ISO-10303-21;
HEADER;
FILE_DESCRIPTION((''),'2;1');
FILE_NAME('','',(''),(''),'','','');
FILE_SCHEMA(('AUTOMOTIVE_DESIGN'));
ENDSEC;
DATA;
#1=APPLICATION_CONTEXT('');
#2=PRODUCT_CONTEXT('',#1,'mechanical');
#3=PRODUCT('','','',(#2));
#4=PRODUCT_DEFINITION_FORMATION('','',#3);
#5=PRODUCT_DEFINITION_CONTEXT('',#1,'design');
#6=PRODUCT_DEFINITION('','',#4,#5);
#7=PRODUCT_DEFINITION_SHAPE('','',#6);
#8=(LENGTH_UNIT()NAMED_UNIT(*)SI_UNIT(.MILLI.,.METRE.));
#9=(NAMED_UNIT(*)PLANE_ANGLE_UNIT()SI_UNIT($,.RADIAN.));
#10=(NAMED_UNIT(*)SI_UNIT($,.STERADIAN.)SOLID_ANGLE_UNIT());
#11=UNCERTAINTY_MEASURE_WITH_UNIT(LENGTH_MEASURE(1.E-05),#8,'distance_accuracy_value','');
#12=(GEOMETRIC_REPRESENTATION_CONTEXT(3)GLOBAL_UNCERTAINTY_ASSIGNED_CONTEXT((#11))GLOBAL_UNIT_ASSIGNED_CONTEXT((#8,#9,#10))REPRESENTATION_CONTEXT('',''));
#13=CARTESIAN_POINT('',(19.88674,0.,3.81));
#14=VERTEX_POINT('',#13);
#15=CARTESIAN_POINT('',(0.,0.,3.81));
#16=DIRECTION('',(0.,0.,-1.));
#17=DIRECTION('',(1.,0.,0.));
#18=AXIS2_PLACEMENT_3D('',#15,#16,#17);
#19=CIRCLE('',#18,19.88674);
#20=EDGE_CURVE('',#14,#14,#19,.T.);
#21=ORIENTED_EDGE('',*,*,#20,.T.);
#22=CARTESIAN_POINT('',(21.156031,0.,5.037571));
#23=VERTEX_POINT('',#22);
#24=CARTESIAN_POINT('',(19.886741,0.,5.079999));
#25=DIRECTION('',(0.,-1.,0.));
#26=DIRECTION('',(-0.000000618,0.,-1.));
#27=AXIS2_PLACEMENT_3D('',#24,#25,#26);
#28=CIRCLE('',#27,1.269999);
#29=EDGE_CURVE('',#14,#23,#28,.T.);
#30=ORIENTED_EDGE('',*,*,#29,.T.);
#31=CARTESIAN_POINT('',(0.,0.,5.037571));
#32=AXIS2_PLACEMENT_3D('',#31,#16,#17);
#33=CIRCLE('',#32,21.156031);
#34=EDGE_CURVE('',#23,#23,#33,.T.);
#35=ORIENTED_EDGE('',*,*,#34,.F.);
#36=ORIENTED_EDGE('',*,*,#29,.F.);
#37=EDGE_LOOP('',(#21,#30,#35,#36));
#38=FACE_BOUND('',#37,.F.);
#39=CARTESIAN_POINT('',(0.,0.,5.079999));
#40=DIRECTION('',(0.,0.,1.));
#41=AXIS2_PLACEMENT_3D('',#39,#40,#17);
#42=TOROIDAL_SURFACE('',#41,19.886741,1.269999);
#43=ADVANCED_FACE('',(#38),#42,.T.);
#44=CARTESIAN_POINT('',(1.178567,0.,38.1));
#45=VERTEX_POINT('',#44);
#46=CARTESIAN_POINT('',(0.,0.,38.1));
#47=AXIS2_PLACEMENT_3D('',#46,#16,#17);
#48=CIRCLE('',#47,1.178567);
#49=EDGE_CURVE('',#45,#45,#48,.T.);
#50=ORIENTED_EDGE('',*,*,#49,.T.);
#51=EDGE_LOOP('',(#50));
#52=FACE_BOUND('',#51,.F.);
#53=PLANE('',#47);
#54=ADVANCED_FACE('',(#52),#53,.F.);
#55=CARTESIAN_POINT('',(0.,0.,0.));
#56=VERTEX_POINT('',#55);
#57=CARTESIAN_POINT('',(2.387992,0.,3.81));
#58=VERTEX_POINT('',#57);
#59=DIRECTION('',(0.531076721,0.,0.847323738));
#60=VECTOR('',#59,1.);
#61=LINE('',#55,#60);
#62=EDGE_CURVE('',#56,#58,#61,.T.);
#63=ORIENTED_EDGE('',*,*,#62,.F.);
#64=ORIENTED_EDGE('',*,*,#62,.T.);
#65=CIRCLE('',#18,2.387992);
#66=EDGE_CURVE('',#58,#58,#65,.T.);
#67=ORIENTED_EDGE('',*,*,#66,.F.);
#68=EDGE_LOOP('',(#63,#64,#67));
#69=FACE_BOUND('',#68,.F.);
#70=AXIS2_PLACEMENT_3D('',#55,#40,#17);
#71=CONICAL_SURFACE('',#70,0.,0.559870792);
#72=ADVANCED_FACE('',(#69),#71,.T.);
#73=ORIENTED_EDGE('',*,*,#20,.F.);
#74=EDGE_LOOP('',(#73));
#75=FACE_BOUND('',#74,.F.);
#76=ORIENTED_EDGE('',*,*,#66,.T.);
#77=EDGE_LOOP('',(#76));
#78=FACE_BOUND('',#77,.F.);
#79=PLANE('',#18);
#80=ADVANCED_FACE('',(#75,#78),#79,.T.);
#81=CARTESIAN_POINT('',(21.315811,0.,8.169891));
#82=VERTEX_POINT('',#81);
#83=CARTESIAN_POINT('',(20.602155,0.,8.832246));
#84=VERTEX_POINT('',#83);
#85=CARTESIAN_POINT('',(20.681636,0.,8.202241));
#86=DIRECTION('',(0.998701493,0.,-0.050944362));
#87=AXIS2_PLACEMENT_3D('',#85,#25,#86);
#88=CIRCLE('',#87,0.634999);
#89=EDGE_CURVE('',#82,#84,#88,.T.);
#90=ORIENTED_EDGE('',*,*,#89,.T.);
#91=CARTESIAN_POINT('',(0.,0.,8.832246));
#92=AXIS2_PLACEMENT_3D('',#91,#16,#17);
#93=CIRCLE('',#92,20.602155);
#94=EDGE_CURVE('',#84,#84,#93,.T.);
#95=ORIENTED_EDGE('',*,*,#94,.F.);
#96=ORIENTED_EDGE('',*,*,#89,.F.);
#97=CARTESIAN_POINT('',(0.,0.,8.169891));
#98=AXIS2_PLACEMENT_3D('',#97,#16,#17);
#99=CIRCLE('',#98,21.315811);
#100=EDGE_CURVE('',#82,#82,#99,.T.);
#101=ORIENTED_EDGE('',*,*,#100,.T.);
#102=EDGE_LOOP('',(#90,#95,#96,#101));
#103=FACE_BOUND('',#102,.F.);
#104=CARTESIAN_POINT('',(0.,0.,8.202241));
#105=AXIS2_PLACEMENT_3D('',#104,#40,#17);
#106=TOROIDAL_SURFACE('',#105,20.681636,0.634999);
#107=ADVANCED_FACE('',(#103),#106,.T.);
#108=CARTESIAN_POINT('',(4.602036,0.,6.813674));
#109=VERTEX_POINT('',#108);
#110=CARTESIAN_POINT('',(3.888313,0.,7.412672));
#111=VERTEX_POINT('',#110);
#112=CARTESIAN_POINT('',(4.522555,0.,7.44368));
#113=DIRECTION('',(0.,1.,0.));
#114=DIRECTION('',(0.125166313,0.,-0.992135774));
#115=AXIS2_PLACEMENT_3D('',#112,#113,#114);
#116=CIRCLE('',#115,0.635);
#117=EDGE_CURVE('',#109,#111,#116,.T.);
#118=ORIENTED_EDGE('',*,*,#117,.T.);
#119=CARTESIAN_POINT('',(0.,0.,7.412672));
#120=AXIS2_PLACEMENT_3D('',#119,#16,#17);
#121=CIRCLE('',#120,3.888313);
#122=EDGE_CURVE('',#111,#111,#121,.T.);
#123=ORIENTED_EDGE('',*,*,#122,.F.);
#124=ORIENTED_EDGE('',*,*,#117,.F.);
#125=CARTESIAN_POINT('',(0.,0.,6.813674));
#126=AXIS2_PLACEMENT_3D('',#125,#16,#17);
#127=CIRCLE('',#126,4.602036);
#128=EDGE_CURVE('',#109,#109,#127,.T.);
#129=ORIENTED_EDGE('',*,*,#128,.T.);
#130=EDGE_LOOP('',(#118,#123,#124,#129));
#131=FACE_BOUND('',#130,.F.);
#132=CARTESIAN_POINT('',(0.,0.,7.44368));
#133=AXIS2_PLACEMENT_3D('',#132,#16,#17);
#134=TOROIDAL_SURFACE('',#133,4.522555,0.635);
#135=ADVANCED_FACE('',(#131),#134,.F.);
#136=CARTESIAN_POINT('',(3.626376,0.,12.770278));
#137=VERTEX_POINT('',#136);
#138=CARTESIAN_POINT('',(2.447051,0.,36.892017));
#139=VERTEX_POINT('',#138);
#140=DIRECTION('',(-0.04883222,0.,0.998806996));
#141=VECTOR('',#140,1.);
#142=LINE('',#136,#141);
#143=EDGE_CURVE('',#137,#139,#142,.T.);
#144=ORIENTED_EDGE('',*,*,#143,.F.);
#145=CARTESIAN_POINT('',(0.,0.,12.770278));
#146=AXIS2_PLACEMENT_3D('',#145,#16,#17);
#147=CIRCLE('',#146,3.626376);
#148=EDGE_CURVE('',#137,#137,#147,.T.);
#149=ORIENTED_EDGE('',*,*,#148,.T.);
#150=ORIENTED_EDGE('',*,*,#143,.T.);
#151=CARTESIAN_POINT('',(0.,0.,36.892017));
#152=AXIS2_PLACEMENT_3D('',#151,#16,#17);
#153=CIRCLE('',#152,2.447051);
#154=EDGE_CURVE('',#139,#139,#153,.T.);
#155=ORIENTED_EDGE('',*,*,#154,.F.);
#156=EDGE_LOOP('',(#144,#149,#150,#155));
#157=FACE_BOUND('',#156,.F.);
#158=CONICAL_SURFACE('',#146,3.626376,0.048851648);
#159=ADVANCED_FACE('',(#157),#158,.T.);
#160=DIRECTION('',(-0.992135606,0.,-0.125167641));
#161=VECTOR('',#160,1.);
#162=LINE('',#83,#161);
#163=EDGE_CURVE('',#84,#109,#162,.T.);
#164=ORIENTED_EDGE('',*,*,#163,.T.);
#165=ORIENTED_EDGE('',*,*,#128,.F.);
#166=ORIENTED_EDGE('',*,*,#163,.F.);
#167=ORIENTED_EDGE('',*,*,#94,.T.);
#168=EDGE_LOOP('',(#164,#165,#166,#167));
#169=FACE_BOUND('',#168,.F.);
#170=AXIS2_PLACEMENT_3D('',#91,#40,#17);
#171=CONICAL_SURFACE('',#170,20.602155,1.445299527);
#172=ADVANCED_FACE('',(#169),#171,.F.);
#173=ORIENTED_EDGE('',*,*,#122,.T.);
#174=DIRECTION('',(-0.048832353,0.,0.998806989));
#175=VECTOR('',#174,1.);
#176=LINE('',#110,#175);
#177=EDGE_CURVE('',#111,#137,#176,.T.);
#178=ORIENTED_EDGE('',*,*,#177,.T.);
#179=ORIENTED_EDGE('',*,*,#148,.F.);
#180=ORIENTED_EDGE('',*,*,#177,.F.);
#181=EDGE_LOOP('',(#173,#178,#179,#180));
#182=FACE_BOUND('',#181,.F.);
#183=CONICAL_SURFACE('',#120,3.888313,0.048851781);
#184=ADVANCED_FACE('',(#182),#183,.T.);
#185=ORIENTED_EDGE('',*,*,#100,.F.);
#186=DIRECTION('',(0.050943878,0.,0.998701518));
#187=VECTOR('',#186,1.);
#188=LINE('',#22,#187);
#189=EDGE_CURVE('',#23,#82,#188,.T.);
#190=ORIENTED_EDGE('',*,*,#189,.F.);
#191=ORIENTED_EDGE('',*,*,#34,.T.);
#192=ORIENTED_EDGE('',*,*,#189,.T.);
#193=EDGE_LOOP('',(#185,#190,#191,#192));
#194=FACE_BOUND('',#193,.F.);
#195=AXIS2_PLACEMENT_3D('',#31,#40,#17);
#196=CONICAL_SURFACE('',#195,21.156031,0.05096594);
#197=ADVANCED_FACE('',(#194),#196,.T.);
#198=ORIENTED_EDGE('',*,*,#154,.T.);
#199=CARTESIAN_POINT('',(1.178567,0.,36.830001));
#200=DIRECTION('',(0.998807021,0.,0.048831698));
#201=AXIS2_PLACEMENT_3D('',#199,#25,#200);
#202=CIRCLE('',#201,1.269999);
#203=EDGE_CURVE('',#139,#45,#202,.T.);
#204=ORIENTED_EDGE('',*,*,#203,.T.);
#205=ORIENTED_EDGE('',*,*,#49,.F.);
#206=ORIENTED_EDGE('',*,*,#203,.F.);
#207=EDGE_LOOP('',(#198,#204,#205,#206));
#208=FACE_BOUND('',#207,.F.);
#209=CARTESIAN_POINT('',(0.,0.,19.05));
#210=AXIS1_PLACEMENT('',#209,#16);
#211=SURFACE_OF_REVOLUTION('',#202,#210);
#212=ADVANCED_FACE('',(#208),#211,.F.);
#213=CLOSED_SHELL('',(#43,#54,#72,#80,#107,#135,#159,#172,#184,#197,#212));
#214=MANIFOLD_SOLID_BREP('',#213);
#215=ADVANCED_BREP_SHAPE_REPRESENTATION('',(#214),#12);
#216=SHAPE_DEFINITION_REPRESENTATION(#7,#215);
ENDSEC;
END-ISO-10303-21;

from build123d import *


with BuildPart() as f1:
    # F0 (on Front) → F1 (revolve)
    with BuildSketch(Plane.XZ):
        with BuildLine():
            Line((1.178567, 38.1), (0, 38.1))
            Line((0, 38.1), (0, 0))
            Line((0, 0), (2.387992, 3.81))
            Line((2.387992, 3.81), (19.88674, 3.81))
            ThreePointArc((19.88674, 3.81), (20.769638, 4.167097), (21.156031, 5.037571))
            Line((21.156031, 5.037571), (21.315811, 8.169891))
            ThreePointArc((21.315811, 8.169891), (21.113608, 8.66767), (20.602155, 8.832246))
            Line((20.602155, 8.832246), (4.602036, 6.813674))
            ThreePointArc((4.602036, 6.813674), (4.11434, 6.95728), (3.888313, 7.412672))
            Line((3.888313, 7.412672), (3.626376, 12.770278))
            Line((3.626376, 12.770278), (2.447051, 36.892017))
            ThreePointArc((2.447051, 36.892017), (2.054391, 37.749691), (1.178567, 38.1))
        make_face()
    revolve(axis=Axis((0, 0, 19.05), (0, 0, -1)))


solid = f1.part
